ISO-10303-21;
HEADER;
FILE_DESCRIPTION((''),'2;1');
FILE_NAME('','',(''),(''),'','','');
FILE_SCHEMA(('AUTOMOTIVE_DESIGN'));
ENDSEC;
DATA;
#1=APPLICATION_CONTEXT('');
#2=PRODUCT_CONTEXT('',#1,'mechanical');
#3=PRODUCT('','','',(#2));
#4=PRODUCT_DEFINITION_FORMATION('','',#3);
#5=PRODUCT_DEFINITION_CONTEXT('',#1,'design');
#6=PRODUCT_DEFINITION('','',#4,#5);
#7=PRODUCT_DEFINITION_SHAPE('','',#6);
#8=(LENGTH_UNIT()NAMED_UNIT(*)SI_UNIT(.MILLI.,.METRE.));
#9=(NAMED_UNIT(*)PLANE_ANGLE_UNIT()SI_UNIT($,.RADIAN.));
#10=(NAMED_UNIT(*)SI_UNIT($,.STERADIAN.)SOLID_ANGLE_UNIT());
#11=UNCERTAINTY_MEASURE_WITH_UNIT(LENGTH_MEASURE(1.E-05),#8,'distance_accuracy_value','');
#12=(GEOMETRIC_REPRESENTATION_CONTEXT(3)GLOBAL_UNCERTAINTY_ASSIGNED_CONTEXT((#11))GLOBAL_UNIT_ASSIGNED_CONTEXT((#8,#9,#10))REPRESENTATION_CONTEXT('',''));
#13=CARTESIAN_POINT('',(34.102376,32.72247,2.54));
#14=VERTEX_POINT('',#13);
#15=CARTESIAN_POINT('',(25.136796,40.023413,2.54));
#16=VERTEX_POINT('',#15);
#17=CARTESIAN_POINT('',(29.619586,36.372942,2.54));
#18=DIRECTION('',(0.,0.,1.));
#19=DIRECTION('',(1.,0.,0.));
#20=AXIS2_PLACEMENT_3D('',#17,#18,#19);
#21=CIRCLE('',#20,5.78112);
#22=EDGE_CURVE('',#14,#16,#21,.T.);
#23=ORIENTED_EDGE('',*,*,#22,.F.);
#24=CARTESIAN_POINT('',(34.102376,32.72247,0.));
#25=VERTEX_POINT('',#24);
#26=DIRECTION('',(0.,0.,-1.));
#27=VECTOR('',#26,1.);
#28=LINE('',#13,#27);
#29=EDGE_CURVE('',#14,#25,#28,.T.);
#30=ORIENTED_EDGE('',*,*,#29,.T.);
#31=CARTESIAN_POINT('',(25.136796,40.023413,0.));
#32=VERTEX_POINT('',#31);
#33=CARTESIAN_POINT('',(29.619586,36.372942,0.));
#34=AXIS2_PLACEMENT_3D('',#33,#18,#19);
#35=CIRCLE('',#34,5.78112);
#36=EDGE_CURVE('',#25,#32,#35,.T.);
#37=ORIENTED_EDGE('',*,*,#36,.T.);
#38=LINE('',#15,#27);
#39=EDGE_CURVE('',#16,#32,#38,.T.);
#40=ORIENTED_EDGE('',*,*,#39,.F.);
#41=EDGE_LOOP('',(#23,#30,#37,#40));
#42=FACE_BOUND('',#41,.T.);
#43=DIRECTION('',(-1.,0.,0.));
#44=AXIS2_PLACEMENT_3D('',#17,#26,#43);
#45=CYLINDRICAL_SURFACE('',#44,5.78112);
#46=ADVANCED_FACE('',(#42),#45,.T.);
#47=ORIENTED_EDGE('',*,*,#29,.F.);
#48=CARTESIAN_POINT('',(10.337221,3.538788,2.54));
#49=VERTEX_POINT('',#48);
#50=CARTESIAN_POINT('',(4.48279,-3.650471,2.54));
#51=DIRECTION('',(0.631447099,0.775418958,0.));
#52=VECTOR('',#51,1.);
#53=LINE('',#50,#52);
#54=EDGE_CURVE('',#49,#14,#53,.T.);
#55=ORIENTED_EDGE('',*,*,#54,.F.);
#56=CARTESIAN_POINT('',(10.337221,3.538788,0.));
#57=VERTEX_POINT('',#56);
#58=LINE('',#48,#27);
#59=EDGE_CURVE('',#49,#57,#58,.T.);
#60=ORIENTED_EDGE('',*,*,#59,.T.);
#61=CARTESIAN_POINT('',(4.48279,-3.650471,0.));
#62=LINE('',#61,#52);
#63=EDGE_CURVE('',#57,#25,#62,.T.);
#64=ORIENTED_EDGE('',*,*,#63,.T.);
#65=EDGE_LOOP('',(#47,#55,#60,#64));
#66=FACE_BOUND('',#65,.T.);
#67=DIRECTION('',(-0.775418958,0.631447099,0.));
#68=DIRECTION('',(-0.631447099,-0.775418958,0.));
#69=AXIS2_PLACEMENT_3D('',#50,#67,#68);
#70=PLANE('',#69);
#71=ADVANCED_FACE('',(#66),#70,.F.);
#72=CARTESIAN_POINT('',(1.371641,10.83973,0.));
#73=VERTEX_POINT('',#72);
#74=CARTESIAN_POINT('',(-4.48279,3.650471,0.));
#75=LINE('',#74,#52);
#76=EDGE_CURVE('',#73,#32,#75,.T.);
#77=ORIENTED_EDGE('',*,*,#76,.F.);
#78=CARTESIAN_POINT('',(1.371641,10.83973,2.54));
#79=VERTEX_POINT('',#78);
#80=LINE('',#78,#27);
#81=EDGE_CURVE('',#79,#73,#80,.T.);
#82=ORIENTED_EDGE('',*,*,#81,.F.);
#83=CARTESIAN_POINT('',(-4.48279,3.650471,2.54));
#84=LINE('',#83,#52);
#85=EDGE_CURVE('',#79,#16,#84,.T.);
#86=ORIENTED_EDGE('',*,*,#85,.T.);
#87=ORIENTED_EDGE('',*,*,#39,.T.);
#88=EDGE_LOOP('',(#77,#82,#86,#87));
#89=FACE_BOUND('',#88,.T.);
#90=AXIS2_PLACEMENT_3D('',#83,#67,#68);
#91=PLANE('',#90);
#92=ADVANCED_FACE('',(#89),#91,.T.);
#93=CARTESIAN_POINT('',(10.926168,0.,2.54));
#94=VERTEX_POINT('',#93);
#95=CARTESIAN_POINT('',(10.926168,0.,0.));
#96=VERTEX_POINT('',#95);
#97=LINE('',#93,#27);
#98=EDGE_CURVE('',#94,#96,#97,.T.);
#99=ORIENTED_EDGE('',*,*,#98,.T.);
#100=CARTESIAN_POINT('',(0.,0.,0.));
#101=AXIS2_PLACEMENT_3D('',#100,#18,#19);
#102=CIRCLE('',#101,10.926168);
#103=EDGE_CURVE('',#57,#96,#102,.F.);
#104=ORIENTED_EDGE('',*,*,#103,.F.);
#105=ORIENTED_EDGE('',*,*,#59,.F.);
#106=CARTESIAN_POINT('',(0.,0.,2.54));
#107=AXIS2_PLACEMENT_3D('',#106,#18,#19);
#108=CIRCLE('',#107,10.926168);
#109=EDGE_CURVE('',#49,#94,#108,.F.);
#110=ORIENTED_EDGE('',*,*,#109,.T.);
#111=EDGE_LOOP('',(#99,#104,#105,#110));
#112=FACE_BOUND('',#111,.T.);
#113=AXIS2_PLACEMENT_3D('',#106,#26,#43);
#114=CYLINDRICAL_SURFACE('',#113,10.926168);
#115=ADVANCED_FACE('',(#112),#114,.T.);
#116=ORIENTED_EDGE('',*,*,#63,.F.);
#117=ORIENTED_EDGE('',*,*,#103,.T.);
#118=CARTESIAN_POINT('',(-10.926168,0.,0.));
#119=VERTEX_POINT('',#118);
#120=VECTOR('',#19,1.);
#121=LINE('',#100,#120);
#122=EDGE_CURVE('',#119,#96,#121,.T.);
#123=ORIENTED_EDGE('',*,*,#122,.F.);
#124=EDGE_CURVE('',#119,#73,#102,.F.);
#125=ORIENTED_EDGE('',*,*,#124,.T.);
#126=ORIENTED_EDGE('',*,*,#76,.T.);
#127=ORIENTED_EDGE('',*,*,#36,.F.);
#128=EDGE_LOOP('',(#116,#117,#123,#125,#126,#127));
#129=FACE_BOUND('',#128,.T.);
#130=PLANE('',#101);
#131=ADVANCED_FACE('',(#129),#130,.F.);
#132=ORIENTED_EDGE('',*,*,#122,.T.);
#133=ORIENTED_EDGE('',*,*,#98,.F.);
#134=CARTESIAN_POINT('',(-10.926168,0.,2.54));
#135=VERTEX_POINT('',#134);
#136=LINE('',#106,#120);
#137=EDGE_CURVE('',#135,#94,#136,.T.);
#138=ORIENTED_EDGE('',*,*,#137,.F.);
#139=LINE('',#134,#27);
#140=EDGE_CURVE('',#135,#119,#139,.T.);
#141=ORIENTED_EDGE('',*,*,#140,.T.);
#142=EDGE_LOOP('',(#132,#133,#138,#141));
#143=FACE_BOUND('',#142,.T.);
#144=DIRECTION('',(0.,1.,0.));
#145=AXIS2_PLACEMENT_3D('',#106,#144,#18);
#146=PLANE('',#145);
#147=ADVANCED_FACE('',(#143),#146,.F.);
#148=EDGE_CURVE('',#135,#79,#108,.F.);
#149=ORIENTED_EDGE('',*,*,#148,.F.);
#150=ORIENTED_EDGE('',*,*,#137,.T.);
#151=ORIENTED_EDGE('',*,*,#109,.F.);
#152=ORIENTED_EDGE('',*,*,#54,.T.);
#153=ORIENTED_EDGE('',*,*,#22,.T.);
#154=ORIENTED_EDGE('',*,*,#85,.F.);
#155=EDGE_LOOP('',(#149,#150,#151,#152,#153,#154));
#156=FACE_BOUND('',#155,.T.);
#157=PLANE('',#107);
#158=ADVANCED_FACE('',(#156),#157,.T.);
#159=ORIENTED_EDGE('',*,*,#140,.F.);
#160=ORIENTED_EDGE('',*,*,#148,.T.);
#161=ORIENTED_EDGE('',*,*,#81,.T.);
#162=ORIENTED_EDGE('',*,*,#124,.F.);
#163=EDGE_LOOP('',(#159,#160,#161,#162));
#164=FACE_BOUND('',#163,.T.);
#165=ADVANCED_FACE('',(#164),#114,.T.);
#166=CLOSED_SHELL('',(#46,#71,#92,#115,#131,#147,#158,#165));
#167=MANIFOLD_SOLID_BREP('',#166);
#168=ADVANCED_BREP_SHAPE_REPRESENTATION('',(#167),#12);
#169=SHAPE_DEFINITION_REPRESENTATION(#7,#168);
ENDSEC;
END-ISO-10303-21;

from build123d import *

# Parameters (mm, degrees)
BOSS_EXTRUDE2_DEPTH = 2.54


with BuildPart() as part:
    # Sketch1 → Boss-Extrude2 (new body)
    with BuildSketch(Plane.XY):
        with BuildLine():
            Line((-10.926168191, 0), (10.926168191, 0))
            ThreePointArc((10.926168191, 0), (10.777925696, 1.79373048), (10.337220817, 3.538787522))
            Line((10.337220817, 3.538787522), (34.102376068, 32.722470445))
            ThreePointArc((34.102376068, 32.722470445), (33.270057491, 40.855731781), (25.136796156, 40.023413204))
            Line((25.136796156, 40.023413204), (1.371640905, 10.839730281))
            ThreePointArc((1.371640905, 10.839730281), (-7.224762007, 8.196582537), (-10.926168191, 0))
        make_face()
    extrude(amount=BOSS_EXTRUDE2_DEPTH)


solid = part.part
